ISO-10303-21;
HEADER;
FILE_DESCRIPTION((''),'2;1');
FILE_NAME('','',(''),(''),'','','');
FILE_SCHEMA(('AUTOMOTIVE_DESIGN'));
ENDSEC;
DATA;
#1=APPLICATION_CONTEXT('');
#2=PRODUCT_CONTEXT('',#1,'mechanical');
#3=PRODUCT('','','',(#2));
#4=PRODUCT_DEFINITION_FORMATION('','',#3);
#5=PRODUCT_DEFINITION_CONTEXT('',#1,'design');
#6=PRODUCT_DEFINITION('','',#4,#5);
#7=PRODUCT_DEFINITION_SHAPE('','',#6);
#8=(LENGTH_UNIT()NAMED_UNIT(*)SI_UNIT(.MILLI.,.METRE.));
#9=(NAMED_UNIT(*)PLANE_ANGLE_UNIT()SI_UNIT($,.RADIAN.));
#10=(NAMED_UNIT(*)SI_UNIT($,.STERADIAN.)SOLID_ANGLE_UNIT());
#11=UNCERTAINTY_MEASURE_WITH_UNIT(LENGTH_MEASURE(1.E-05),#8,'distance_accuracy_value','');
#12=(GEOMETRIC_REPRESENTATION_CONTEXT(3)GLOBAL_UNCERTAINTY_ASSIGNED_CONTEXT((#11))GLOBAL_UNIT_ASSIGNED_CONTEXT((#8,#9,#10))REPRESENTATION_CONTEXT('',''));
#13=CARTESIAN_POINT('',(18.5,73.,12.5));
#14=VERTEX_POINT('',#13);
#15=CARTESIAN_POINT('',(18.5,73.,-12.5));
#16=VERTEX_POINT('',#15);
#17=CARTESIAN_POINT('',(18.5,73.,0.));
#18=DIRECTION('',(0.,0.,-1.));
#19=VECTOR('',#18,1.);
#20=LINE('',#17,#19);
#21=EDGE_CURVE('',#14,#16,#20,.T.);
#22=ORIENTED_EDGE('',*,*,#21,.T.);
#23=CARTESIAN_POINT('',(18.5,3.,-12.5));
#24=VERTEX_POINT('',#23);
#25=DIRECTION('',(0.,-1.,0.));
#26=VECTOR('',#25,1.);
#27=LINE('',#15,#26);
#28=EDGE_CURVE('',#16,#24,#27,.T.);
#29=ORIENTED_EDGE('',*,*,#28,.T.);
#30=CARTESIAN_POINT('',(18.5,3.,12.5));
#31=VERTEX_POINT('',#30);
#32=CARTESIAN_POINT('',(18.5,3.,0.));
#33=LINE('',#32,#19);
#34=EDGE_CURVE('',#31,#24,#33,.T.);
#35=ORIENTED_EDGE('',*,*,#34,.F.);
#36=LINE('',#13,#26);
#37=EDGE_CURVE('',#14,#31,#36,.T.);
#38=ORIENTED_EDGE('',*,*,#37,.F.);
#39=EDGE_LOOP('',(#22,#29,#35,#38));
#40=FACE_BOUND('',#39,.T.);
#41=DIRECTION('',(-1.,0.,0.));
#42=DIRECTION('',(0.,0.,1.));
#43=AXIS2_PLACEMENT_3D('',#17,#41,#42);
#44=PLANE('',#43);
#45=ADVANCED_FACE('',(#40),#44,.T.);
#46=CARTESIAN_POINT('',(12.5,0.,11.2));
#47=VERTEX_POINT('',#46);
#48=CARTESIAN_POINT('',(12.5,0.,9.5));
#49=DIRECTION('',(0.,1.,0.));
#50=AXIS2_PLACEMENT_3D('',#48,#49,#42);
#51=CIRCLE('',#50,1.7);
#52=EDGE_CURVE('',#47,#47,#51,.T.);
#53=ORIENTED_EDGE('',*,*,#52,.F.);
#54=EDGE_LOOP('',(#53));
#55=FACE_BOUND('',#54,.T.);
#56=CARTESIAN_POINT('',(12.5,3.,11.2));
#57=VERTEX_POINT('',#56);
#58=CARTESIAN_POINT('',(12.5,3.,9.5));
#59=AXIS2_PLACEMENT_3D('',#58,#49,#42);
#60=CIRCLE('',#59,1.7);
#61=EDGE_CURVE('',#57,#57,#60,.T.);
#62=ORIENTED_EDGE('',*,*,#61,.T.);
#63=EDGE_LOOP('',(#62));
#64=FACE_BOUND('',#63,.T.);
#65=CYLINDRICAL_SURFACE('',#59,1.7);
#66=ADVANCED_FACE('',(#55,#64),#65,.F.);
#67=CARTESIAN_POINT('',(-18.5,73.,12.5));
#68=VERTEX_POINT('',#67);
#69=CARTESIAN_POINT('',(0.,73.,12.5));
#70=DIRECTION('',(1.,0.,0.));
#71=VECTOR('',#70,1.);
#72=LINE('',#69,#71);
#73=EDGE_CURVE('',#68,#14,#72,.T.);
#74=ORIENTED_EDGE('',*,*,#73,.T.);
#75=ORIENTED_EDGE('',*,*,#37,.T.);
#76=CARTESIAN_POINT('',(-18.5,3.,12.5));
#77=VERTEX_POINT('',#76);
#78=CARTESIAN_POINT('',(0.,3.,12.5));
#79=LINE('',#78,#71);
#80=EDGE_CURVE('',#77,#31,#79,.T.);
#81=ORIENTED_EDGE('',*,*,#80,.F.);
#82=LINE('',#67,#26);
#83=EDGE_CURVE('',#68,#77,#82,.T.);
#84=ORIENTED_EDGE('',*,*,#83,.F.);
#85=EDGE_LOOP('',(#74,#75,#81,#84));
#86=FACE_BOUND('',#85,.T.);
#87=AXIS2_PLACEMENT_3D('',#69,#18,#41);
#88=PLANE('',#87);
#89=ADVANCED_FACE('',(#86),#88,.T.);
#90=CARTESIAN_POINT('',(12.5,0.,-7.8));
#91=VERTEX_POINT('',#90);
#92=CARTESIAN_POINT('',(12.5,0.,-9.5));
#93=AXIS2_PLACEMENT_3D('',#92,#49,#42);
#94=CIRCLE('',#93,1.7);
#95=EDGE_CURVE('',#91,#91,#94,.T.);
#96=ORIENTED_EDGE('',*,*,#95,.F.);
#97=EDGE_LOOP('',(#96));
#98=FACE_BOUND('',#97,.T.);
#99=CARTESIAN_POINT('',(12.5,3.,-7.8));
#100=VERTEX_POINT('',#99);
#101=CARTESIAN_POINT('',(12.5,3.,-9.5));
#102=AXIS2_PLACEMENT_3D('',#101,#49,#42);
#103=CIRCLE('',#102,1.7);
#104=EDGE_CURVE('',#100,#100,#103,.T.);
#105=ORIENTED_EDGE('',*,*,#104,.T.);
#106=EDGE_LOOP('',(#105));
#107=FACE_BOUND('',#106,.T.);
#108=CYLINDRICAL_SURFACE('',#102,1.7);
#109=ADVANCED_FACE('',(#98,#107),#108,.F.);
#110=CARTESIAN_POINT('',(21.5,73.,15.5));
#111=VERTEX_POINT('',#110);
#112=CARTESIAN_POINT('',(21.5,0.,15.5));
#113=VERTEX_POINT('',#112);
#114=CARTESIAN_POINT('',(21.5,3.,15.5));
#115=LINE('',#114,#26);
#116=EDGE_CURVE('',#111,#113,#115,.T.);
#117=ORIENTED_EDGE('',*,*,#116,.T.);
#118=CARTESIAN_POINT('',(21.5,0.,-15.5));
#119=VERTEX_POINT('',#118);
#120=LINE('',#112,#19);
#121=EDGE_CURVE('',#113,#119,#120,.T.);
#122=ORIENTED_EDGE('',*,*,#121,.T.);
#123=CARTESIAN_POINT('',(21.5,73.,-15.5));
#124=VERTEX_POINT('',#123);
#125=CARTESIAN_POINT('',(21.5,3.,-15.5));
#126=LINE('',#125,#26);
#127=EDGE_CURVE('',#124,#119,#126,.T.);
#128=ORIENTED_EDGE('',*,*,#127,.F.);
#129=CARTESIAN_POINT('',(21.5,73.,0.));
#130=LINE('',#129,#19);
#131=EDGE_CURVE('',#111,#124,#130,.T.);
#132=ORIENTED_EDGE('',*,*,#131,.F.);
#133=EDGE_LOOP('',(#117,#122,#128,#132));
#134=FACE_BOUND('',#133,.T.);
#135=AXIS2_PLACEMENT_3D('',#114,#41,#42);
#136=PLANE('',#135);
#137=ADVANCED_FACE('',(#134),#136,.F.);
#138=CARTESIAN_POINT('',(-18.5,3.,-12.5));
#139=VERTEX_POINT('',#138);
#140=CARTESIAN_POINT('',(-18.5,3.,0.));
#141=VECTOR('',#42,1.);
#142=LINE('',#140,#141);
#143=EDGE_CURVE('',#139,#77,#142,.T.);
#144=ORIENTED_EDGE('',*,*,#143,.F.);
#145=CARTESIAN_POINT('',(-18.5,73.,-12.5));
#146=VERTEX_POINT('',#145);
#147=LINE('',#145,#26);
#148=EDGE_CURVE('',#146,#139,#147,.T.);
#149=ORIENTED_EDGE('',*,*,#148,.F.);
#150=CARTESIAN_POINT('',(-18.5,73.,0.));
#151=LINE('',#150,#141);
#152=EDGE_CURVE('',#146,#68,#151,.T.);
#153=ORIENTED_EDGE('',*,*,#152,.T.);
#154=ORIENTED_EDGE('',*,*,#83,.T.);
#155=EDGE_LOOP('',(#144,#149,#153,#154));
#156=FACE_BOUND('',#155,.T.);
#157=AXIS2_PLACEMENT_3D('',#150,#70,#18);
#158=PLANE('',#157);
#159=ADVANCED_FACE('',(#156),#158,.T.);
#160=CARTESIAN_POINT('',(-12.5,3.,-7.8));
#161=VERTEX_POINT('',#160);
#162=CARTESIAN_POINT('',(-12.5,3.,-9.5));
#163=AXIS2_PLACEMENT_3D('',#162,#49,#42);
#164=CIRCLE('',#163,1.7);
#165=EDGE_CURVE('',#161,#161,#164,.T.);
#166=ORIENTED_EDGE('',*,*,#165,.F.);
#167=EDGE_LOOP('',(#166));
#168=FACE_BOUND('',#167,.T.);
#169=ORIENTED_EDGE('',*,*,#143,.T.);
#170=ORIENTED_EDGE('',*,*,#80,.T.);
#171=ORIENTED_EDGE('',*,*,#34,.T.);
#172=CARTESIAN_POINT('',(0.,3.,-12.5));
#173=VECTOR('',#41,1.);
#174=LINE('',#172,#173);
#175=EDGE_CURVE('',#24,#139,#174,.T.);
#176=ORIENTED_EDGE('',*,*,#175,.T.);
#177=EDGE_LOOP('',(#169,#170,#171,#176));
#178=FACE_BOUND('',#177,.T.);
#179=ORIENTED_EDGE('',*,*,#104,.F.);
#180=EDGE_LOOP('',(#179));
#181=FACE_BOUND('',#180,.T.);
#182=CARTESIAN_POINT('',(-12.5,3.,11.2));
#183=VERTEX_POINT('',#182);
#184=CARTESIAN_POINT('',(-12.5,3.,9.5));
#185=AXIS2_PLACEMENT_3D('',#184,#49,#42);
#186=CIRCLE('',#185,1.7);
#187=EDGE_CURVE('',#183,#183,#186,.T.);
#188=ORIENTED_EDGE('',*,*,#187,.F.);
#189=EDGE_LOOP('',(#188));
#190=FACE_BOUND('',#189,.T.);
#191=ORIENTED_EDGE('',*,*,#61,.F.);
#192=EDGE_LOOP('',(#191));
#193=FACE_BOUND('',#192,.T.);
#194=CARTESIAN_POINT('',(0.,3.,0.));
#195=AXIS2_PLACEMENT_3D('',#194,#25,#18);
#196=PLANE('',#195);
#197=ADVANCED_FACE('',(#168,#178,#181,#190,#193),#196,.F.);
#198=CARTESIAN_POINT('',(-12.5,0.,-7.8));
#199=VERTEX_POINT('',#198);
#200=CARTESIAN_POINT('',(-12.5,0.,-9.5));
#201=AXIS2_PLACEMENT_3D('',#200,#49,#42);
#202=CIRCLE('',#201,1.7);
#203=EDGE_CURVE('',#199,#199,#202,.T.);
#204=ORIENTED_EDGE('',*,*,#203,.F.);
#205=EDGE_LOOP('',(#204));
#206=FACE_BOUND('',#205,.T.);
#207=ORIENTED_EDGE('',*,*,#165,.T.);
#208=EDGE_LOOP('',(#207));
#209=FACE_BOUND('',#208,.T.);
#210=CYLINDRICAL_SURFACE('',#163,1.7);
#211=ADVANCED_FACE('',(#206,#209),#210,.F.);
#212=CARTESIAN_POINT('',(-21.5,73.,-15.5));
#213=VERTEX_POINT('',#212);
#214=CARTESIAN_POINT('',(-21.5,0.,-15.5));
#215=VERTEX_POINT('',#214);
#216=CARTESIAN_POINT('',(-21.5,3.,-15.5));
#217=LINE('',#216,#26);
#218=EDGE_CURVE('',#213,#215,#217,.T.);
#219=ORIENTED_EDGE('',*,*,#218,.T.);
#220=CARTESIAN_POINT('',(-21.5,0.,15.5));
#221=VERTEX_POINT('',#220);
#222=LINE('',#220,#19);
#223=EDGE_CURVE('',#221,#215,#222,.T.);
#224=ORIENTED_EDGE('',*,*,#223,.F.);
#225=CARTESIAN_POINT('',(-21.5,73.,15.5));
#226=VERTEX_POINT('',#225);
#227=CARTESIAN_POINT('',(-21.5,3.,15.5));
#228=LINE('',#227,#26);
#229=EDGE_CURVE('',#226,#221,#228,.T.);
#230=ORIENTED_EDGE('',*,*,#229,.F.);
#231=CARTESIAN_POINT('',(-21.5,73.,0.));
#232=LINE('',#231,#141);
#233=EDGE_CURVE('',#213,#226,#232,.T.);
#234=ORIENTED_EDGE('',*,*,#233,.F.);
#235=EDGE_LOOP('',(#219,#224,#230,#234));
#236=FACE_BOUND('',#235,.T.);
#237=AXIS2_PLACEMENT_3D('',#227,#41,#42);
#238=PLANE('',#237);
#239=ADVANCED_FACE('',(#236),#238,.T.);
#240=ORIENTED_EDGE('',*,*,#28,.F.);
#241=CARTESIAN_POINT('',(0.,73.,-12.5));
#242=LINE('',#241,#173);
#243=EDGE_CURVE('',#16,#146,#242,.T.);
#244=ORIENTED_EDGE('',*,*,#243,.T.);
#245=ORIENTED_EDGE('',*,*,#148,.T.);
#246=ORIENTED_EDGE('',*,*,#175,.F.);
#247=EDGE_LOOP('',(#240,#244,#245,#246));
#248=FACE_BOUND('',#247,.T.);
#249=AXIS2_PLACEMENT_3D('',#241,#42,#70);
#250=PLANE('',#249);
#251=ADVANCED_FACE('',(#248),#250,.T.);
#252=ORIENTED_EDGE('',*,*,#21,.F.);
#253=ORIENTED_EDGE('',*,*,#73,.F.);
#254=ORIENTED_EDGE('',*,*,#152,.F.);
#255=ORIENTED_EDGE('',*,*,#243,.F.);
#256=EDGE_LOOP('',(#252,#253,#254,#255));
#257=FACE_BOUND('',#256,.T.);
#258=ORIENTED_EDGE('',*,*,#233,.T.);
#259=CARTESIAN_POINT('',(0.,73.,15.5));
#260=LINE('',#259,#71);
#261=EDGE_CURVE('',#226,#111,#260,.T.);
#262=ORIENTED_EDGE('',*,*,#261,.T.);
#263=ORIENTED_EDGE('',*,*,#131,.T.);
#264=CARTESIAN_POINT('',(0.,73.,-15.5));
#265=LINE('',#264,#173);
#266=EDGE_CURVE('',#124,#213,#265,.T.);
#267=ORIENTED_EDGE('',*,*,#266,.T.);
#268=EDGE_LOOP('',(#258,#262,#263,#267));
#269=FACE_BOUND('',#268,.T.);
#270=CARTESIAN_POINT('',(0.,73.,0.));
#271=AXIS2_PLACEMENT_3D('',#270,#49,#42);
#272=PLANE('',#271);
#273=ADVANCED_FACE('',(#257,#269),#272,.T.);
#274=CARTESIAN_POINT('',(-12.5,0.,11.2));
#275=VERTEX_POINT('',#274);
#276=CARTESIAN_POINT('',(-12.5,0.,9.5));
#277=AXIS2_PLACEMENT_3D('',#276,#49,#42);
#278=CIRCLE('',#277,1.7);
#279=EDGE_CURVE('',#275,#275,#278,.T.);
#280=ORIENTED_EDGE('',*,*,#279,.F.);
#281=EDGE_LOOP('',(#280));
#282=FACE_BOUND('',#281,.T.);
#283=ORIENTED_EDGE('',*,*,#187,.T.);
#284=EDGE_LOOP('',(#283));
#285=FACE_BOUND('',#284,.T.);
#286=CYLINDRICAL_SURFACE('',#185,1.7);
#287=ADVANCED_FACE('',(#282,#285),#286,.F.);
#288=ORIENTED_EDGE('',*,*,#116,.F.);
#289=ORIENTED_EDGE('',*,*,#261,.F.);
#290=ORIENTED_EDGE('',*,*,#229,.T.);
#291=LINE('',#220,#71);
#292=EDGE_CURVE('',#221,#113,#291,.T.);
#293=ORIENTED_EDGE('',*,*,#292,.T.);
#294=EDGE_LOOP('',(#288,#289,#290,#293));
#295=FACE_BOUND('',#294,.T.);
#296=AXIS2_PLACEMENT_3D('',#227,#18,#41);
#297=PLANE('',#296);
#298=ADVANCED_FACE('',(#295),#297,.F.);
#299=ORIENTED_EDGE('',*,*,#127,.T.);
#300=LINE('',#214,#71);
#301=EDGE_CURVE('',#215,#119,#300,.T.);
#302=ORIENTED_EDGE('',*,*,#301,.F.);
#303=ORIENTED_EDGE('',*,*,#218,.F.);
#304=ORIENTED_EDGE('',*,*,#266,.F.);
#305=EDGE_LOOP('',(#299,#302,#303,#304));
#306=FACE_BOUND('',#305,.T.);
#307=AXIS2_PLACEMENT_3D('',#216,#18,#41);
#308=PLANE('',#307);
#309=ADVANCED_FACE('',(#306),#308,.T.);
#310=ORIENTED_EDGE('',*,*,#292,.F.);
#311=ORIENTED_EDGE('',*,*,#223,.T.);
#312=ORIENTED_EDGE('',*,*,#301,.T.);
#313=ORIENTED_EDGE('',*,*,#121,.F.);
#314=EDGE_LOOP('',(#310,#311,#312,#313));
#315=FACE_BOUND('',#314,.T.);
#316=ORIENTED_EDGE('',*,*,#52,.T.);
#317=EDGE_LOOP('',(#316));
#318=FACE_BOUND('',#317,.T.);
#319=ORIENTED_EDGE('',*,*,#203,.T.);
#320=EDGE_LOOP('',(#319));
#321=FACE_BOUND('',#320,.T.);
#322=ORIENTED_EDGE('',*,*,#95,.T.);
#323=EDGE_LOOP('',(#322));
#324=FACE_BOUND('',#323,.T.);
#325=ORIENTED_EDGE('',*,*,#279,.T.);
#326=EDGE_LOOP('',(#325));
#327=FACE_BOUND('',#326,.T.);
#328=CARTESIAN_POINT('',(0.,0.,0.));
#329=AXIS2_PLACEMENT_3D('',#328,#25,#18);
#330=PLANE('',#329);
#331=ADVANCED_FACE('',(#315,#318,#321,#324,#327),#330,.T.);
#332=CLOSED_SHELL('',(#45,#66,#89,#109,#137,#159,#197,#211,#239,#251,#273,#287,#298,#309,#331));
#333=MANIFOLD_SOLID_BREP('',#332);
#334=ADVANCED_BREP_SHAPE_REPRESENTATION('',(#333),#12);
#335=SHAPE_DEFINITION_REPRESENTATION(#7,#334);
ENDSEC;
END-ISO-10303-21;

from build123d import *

# Parameters (mm, degrees)
SKETCH1_W            = 43
SKETCH1_H            = 31
BOSS_EXTRUDE1_DEPTH  = 3
BOSS_EXTRUDE2_START  = 3
SKETCH1_3_W          = 43
SKETCH1_3_H          = 31
SKETCH1_3_W_2        = 37
SKETCH1_3_H_2        = 25
BOSS_EXTRUDE2_DEPTH  = 70
M3_CLEARANCE_HOLE1_D = 3.4


with BuildPart() as part:
    # Sketch1 → Boss-Extrude1 (new body)
    with BuildSketch(Plane(origin=(0, 0, 0), x_dir=(1, 0, 0), z_dir=(0, 1, 0))):
        Rectangle(SKETCH1_W, SKETCH1_H)
    extrude(amount=BOSS_EXTRUDE1_DEPTH)

    # Sketch1<3> → Boss-Extrude2 (add)
    with BuildSketch(Plane(origin=(0, 0, 0), x_dir=(1, 0, 0), z_dir=(0, 1, 0)).offset(BOSS_EXTRUDE2_START)):
        Rectangle(SKETCH1_3_W, SKETCH1_3_H)
        Rectangle(SKETCH1_3_W_2, SKETCH1_3_H_2, mode=Mode.SUBTRACT)
    extrude(amount=BOSS_EXTRUDE2_DEPTH)

    # M3 Clearance Hole1 (through all)
    with Locations(Plane(origin=(0, 3, 0), x_dir=(1, 0, 0), z_dir=(0, 1, 0))):
        with Locations((-12.5, 9.5), (12.5, 9.5), (12.5, -9.5), (-12.5, -9.5)):
            Hole(M3_CLEARANCE_HOLE1_D / 2)


solid = part.part
